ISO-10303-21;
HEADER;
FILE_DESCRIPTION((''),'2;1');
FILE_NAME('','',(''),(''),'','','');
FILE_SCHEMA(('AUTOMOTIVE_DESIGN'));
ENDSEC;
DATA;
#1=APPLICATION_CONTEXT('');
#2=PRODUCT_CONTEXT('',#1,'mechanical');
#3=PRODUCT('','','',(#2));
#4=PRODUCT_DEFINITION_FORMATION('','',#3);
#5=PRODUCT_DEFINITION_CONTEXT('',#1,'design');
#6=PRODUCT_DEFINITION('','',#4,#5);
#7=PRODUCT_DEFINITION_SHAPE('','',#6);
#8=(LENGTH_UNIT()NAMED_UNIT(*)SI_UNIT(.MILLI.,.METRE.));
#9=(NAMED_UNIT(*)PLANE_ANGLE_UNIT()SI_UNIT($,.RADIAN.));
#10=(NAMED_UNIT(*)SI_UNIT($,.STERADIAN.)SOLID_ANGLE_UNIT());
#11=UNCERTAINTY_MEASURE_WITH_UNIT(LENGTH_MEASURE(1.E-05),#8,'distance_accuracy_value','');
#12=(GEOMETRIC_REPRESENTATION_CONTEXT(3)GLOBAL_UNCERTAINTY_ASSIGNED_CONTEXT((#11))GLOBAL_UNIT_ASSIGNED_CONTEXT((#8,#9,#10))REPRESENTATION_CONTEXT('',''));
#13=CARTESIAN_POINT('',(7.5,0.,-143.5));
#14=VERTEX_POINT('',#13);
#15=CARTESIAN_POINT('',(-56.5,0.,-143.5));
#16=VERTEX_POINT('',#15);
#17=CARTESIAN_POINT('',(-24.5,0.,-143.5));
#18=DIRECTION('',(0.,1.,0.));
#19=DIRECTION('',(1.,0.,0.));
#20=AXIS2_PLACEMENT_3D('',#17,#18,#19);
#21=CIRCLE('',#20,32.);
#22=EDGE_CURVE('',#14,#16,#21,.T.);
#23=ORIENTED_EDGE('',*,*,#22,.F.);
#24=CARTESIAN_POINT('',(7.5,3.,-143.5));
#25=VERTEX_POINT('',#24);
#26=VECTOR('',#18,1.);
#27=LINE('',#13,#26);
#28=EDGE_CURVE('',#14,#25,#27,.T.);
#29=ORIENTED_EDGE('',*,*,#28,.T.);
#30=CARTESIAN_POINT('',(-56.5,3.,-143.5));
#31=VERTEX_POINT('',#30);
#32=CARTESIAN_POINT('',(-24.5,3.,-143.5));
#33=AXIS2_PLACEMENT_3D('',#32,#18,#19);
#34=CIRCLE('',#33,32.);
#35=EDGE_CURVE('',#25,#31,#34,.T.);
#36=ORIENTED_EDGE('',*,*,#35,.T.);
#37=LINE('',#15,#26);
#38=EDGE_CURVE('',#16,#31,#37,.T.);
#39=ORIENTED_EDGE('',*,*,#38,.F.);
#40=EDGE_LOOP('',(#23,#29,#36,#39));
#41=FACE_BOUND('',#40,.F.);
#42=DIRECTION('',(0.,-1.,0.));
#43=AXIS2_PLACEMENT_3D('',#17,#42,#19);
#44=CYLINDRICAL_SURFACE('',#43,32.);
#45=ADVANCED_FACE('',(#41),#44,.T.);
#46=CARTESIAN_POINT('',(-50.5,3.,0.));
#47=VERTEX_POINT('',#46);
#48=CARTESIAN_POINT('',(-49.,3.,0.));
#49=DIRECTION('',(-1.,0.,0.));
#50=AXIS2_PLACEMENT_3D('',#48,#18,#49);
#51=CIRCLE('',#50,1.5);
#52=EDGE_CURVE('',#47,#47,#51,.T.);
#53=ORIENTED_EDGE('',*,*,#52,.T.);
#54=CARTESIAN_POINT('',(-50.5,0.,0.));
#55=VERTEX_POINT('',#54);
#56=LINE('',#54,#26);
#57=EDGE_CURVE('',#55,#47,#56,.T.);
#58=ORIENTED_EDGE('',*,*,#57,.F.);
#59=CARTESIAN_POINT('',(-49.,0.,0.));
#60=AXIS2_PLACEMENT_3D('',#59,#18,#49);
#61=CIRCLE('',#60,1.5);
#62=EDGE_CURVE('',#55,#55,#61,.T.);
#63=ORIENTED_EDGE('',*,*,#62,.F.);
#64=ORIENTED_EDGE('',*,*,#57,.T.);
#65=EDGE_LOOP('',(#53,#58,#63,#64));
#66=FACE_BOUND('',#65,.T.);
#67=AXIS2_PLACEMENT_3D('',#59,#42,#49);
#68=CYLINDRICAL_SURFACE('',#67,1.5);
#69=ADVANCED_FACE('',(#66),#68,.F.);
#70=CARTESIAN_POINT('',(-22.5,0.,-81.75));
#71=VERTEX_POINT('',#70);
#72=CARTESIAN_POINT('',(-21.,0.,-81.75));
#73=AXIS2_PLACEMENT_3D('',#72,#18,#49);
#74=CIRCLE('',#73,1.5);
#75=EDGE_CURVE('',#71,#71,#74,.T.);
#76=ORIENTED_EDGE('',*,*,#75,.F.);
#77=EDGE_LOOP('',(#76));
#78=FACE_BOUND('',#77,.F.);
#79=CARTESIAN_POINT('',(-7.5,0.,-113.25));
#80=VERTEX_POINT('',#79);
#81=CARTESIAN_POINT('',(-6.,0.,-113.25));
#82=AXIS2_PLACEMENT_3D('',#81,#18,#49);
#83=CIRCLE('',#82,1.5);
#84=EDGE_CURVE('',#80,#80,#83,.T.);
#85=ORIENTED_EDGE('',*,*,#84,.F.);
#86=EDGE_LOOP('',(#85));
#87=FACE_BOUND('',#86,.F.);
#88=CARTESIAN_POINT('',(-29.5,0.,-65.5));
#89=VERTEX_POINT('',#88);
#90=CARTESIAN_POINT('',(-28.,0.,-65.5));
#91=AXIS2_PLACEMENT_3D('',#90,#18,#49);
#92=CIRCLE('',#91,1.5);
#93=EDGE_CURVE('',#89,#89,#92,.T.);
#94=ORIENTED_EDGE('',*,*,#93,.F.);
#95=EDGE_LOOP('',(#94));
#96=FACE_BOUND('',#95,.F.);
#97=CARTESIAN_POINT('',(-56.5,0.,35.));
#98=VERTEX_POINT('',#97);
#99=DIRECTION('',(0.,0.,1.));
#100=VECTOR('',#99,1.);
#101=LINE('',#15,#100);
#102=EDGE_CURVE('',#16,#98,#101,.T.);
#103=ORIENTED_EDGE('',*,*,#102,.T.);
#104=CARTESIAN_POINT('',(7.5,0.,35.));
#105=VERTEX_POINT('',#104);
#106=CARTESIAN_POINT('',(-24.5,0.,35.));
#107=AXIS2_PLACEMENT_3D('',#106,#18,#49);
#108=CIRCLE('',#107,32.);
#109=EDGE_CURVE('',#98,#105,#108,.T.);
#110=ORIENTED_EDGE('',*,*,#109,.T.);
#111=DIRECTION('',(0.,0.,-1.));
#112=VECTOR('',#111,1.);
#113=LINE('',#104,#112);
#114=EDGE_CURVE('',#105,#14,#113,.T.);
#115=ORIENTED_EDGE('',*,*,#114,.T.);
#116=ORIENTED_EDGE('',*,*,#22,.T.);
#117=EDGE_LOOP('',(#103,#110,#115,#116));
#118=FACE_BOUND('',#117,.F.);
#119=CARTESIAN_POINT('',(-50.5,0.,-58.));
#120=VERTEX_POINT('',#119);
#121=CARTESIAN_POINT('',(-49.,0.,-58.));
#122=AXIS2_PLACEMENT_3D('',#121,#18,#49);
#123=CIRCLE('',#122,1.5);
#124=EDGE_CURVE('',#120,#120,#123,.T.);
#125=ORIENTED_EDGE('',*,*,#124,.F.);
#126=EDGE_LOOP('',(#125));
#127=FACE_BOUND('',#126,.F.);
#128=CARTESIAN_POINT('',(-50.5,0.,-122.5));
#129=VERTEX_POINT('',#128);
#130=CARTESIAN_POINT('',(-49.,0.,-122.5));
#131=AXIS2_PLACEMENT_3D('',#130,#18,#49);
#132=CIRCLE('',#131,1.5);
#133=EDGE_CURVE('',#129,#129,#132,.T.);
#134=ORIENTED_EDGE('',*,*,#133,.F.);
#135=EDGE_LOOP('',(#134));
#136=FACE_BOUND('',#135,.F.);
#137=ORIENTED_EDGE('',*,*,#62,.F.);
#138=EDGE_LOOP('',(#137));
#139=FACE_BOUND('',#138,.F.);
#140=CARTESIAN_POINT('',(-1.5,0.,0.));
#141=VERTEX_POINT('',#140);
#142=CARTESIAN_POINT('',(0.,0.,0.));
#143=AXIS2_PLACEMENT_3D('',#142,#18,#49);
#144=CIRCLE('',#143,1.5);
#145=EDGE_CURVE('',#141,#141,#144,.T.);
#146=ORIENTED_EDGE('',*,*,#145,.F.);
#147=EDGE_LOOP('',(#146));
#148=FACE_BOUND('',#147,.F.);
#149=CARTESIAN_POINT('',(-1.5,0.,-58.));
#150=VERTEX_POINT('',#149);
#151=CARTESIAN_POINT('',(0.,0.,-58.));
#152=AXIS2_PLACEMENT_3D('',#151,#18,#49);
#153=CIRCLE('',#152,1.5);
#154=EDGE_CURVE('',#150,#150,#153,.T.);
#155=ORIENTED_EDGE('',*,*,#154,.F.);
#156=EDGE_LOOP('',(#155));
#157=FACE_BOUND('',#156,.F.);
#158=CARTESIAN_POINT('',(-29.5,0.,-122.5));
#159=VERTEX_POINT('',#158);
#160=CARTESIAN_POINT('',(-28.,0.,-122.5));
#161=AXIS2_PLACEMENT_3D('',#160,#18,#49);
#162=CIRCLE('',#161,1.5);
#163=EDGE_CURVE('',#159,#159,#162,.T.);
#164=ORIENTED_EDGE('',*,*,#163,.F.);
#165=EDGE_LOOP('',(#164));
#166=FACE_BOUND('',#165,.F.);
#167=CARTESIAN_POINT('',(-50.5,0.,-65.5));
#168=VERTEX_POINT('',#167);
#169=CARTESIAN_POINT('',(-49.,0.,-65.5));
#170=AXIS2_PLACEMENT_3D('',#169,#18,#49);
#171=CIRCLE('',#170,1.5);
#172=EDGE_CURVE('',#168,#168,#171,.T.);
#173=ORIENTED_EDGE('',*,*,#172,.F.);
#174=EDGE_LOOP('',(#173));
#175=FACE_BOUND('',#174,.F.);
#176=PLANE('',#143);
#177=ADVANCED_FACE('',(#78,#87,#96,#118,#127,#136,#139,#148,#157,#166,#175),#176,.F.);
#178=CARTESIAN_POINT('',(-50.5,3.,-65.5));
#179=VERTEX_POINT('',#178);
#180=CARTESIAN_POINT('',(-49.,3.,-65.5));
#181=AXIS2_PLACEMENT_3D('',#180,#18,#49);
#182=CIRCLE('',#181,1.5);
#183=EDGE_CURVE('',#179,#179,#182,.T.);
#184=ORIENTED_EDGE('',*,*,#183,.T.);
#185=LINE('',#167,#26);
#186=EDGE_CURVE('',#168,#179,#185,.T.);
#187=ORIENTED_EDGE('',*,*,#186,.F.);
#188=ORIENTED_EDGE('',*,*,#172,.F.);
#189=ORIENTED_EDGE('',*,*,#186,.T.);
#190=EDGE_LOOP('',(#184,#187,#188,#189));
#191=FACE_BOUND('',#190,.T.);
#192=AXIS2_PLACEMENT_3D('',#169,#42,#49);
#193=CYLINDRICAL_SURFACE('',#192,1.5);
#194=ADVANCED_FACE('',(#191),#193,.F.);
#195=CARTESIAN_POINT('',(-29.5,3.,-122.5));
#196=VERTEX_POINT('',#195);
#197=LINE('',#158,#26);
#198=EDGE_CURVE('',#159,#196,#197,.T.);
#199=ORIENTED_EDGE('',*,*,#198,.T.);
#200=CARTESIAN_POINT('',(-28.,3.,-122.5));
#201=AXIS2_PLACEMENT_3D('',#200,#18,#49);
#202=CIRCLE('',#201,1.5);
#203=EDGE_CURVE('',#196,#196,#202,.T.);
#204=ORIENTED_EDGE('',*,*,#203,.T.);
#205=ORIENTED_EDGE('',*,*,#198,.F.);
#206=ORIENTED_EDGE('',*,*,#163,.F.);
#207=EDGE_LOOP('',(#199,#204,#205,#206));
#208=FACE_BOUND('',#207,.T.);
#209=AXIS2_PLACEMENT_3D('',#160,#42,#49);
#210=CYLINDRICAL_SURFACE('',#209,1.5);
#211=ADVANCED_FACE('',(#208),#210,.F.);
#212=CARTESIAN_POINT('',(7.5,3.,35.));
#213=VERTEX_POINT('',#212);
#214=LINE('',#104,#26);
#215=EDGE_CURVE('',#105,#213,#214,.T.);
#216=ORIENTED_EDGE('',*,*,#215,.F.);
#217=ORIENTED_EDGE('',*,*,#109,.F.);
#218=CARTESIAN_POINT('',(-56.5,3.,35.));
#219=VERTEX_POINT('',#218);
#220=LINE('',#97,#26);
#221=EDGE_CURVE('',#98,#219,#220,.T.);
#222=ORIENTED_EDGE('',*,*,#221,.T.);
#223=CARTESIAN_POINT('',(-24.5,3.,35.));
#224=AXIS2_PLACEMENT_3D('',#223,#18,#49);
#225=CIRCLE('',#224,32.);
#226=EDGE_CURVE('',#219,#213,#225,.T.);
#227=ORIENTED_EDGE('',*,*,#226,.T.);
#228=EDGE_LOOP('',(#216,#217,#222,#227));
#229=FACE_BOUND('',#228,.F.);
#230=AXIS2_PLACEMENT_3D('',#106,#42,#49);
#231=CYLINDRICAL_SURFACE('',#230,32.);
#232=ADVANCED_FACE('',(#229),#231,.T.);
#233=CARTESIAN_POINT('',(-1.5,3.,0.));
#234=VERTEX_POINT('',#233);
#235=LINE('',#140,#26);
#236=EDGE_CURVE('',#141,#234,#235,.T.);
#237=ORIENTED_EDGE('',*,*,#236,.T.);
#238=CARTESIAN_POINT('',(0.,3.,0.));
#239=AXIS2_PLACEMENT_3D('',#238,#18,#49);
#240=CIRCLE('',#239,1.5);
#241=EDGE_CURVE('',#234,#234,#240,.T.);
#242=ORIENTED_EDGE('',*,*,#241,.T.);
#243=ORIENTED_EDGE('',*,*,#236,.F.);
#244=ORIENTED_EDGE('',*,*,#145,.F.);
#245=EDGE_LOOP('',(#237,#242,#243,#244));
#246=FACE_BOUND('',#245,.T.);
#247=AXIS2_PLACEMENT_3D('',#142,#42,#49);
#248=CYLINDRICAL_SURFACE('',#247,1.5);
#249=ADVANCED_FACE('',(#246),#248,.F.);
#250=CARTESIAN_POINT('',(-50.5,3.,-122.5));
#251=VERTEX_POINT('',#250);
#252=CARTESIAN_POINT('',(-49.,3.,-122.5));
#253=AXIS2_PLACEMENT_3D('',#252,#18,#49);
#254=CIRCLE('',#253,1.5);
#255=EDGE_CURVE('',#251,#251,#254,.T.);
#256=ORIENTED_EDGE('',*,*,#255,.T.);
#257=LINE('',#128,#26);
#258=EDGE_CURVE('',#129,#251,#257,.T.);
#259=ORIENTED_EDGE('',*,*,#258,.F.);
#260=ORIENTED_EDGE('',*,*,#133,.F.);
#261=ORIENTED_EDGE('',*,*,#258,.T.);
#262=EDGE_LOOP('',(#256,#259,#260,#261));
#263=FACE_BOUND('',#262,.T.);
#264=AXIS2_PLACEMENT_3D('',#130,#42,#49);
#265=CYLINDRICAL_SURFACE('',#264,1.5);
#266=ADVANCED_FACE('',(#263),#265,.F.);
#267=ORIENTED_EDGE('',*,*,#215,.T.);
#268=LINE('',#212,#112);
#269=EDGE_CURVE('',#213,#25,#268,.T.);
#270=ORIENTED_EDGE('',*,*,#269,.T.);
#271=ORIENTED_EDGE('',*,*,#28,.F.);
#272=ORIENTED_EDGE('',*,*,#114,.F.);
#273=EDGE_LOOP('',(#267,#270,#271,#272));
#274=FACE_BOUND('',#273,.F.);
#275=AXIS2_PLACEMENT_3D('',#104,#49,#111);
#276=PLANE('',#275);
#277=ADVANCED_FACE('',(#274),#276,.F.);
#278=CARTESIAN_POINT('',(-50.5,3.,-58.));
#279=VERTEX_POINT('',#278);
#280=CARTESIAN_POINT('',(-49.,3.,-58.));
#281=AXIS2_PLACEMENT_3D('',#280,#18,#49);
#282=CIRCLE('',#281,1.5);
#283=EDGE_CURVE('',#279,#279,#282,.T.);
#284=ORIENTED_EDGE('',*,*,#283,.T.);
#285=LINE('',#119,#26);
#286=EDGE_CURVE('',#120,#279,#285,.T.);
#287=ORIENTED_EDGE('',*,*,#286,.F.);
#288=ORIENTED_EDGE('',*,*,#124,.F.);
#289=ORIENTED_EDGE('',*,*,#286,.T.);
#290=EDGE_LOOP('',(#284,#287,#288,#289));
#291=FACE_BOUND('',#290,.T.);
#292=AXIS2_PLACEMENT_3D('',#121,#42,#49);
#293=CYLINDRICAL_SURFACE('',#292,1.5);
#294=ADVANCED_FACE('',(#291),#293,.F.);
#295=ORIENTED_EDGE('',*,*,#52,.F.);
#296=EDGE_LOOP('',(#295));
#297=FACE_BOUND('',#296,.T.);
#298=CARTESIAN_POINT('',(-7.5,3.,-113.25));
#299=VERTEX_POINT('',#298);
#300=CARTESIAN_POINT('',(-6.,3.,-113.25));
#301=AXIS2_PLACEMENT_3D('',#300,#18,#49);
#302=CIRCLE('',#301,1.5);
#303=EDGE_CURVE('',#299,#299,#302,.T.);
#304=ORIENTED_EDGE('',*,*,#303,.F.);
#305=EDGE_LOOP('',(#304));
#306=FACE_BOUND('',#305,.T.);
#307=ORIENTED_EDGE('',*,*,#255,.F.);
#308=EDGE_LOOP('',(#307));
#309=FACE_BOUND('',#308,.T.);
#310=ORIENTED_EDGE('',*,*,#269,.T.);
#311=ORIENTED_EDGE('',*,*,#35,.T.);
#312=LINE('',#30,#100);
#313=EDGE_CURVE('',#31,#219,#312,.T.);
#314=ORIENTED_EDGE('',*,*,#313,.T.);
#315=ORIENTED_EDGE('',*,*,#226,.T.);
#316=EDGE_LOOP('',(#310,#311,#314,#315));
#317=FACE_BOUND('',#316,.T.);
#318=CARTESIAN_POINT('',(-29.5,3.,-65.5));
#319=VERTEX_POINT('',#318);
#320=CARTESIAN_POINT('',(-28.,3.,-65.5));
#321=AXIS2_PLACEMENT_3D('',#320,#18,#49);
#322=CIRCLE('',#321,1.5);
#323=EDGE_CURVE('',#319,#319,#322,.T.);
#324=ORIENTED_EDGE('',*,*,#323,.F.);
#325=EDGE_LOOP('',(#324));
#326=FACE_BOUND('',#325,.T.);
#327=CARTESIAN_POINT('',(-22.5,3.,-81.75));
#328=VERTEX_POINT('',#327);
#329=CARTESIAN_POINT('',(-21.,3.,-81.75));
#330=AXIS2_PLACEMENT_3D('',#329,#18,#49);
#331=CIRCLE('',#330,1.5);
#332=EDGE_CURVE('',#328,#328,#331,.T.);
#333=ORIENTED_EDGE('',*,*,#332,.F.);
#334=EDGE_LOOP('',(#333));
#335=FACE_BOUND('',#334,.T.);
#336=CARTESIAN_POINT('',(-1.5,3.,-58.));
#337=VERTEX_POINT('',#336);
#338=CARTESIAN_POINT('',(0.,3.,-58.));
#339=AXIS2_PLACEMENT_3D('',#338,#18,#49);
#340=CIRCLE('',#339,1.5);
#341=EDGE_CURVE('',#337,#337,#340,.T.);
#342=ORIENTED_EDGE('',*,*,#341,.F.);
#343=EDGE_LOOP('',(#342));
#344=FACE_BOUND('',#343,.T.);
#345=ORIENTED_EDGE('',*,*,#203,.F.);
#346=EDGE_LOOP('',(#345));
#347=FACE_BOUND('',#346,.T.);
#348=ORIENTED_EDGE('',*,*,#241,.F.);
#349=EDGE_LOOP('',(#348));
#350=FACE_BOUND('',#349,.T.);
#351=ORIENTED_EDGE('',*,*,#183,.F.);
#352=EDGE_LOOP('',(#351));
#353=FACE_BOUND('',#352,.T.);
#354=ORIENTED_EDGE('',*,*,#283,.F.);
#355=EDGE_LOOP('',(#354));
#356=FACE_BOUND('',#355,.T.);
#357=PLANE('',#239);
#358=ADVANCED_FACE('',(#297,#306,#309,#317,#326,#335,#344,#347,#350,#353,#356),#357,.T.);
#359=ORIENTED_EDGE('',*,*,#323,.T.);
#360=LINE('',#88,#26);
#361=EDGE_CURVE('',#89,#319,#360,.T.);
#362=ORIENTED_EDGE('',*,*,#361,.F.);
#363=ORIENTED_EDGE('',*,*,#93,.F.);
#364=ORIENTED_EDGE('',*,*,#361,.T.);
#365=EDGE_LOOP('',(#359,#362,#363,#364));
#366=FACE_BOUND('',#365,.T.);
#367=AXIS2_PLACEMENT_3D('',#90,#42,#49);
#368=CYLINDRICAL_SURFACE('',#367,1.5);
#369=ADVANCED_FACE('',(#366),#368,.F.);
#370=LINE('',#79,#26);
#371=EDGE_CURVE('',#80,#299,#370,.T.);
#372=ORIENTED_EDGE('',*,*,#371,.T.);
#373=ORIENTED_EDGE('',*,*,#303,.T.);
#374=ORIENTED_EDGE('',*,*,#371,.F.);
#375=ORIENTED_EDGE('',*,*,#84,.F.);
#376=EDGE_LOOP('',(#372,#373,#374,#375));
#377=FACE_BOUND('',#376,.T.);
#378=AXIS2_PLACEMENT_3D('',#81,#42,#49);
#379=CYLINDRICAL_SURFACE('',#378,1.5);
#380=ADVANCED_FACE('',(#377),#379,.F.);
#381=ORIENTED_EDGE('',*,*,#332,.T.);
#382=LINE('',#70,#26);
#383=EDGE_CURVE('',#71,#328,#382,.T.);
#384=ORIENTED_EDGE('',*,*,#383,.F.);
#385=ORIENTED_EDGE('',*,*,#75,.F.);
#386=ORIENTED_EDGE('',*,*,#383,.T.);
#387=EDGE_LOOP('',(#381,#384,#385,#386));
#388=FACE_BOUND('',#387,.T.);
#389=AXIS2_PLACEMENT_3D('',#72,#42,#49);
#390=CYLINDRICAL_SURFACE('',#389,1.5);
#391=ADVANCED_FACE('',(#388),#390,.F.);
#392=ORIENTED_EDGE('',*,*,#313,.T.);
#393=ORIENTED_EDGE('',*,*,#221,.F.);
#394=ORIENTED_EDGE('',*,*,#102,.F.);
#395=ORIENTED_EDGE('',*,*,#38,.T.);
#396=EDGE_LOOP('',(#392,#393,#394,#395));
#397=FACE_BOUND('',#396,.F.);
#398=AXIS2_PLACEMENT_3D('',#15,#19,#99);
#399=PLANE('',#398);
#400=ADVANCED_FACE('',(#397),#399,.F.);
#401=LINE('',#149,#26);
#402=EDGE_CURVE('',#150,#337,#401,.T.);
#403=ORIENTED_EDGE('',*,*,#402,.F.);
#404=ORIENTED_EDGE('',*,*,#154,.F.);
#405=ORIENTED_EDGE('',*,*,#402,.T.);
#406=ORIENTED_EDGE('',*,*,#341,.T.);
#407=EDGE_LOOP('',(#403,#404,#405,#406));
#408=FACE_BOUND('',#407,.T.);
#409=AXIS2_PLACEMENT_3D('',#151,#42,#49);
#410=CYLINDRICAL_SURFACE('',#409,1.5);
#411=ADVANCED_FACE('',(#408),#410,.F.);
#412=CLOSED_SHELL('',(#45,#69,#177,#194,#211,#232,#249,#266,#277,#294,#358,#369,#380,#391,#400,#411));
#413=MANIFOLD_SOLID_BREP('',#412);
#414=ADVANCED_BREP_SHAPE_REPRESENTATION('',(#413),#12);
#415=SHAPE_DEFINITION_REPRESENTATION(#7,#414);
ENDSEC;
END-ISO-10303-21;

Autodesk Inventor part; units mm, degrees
ref_plane "YZ Plane" through (0, 0, 0) normal (1, 0, 0) x (0, 1, 0)
ref_plane "XZ Plane" through (0, 0, 0) normal (0, 1, 0) x (-1, 0, 0)
ref_plane "XY Plane" through (0, 0, 0) normal (0, 0, 1) x (1, 0, 0)
sketch "Sketch1" plane through (0, 0, 0) normal (0, 1, 0) x (-1, 0, 0)
  line L0 (0, 0) -> (49, 0) construction
  line L1 (49, 0) -> (49, -58) construction
  line L2 (49, -58) -> (0, -58) construction
  line L3 (0, -58) -> (0, 0) construction
  line L4 (53.5, 32) -> (-4.5, 32) construction
  line L5 (-4.5, 32) -> (-4.5, -62) construction
  line L6 (-4.5, -62) -> (53.5, -62) construction
  line L7 (53.5, -62) -> (53.5, 32) construction
  line L8 (53.5, -58) -> (-4.5, -58) construction
  line L9 (24.5, -62) -> (24.5, -133) construction
  line L10 (49, -65.5) -> (28, -65.5) construction
  line L11 (28, -65.5) -> (28, -122.5) construction
  line L12 (28, -122.5) -> (49, -122.5) construction
  line L13 (49, -122.5) -> (49, -65.5) construction
  line L14 (24.5, -94) -> (28, -94) construction
  line L15 (45.5, -122.5) -> (31.5, -122.5) construction
  line L16 (31.5, -122.5) -> (31.5, -140.5) construction
  line L17 (31.5, -140.5) -> (45.5, -140.5) construction
  line L18 (45.5, -140.5) -> (45.5, -122.5) construction
  line L19 (21, -81.75) -> (6, -81.75) construction
  line L20 (6, -81.75) -> (6, -113.25) construction
  line L21 (6, -113.25) -> (21, -113.25) construction
  line L22 (21, -113.25) -> (21, -81.75) construction
  line L23 (24.5, -97.5) -> (21, -97.5) construction
  circle A0 centre (49, -122.5) radius 1.5
  circle A1 centre (49, -65.5) radius 1.5
  circle A2 centre (28, -65.5) radius 1.5
  circle A3 centre (28, -122.5) radius 1.5
  circle A4 centre (49, -58) radius 1.5
  circle A5 centre (0, -58) radius 1.5
  circle A6 centre (0, 0) radius 1.5
  circle A7 centre (49, 0) radius 1.5
  circle A8 centre (21, -81.75) radius 1.5
  circle A9 centre (6, -113.25) radius 1.5
  line L24 (53.5, 32) -> (-4.5, 32) construction
  line L25 (-4.5, 32) -> (-4.5, -140.5) construction
  line L26 (-4.5, -140.5) -> (53.5, -140.5) construction
  line L27 (53.5, -140.5) -> (53.5, 32) construction
  line L28 (56.5, 35) -> (-7.5, 35) construction
  line L29 (-7.5, 35) -> (-7.5, -143.5)
  line L30 (-7.5, -143.5) -> (56.5, -143.5) construction
  line L31 (56.5, -143.5) -> (56.5, 35)
  arc A10 (56.5, 35) -> (-7.5, 35) centre (24.5, 35) ccw
  arc A11 (-7.5, -143.5) -> (56.5, -143.5) centre (24.5, -143.5) ccw
  point P0 (24.5, -58)
  point P1 (38.5, -122.5)
  point P2 (38.5, -140.5)
  point P3 (53.5, -15)
  point P4 (-4.5, -15)
  point P5 (24.5, 32)
  dimension "d0" = 49
  dimension "d1" = 58
  dimension "d2" = 58
  dimension "d3" = 94
  dimension "d4" = 4
  dimension "d7" = 71
  dimension "d8" = 21
  dimension "d9" = 57
  dimension "d10" = 32
  dimension "d11" = 3.5
  dimension "d12" = 14
  dimension "d13" = 18
  dimension "d14" = 15
  dimension "d15" = 31.5
  dimension "d16" = 3.5
  dimension "d17" = 3
  dimension "d18" = 3
  dimension "d19" = 3
  dimension "d20" = 3
  dimension "d21" = 3
  dimension "d22" = 3
  dimension "d23" = 3
  dimension "d24" = 3
  dimension "d25" = 3
  dimension "d26" = 3
  dimension "d27" = 3
extrude "Extrusion1" add sketch "Sketch1" along normal blind 3
properties part number "electronics_layout_v1"
